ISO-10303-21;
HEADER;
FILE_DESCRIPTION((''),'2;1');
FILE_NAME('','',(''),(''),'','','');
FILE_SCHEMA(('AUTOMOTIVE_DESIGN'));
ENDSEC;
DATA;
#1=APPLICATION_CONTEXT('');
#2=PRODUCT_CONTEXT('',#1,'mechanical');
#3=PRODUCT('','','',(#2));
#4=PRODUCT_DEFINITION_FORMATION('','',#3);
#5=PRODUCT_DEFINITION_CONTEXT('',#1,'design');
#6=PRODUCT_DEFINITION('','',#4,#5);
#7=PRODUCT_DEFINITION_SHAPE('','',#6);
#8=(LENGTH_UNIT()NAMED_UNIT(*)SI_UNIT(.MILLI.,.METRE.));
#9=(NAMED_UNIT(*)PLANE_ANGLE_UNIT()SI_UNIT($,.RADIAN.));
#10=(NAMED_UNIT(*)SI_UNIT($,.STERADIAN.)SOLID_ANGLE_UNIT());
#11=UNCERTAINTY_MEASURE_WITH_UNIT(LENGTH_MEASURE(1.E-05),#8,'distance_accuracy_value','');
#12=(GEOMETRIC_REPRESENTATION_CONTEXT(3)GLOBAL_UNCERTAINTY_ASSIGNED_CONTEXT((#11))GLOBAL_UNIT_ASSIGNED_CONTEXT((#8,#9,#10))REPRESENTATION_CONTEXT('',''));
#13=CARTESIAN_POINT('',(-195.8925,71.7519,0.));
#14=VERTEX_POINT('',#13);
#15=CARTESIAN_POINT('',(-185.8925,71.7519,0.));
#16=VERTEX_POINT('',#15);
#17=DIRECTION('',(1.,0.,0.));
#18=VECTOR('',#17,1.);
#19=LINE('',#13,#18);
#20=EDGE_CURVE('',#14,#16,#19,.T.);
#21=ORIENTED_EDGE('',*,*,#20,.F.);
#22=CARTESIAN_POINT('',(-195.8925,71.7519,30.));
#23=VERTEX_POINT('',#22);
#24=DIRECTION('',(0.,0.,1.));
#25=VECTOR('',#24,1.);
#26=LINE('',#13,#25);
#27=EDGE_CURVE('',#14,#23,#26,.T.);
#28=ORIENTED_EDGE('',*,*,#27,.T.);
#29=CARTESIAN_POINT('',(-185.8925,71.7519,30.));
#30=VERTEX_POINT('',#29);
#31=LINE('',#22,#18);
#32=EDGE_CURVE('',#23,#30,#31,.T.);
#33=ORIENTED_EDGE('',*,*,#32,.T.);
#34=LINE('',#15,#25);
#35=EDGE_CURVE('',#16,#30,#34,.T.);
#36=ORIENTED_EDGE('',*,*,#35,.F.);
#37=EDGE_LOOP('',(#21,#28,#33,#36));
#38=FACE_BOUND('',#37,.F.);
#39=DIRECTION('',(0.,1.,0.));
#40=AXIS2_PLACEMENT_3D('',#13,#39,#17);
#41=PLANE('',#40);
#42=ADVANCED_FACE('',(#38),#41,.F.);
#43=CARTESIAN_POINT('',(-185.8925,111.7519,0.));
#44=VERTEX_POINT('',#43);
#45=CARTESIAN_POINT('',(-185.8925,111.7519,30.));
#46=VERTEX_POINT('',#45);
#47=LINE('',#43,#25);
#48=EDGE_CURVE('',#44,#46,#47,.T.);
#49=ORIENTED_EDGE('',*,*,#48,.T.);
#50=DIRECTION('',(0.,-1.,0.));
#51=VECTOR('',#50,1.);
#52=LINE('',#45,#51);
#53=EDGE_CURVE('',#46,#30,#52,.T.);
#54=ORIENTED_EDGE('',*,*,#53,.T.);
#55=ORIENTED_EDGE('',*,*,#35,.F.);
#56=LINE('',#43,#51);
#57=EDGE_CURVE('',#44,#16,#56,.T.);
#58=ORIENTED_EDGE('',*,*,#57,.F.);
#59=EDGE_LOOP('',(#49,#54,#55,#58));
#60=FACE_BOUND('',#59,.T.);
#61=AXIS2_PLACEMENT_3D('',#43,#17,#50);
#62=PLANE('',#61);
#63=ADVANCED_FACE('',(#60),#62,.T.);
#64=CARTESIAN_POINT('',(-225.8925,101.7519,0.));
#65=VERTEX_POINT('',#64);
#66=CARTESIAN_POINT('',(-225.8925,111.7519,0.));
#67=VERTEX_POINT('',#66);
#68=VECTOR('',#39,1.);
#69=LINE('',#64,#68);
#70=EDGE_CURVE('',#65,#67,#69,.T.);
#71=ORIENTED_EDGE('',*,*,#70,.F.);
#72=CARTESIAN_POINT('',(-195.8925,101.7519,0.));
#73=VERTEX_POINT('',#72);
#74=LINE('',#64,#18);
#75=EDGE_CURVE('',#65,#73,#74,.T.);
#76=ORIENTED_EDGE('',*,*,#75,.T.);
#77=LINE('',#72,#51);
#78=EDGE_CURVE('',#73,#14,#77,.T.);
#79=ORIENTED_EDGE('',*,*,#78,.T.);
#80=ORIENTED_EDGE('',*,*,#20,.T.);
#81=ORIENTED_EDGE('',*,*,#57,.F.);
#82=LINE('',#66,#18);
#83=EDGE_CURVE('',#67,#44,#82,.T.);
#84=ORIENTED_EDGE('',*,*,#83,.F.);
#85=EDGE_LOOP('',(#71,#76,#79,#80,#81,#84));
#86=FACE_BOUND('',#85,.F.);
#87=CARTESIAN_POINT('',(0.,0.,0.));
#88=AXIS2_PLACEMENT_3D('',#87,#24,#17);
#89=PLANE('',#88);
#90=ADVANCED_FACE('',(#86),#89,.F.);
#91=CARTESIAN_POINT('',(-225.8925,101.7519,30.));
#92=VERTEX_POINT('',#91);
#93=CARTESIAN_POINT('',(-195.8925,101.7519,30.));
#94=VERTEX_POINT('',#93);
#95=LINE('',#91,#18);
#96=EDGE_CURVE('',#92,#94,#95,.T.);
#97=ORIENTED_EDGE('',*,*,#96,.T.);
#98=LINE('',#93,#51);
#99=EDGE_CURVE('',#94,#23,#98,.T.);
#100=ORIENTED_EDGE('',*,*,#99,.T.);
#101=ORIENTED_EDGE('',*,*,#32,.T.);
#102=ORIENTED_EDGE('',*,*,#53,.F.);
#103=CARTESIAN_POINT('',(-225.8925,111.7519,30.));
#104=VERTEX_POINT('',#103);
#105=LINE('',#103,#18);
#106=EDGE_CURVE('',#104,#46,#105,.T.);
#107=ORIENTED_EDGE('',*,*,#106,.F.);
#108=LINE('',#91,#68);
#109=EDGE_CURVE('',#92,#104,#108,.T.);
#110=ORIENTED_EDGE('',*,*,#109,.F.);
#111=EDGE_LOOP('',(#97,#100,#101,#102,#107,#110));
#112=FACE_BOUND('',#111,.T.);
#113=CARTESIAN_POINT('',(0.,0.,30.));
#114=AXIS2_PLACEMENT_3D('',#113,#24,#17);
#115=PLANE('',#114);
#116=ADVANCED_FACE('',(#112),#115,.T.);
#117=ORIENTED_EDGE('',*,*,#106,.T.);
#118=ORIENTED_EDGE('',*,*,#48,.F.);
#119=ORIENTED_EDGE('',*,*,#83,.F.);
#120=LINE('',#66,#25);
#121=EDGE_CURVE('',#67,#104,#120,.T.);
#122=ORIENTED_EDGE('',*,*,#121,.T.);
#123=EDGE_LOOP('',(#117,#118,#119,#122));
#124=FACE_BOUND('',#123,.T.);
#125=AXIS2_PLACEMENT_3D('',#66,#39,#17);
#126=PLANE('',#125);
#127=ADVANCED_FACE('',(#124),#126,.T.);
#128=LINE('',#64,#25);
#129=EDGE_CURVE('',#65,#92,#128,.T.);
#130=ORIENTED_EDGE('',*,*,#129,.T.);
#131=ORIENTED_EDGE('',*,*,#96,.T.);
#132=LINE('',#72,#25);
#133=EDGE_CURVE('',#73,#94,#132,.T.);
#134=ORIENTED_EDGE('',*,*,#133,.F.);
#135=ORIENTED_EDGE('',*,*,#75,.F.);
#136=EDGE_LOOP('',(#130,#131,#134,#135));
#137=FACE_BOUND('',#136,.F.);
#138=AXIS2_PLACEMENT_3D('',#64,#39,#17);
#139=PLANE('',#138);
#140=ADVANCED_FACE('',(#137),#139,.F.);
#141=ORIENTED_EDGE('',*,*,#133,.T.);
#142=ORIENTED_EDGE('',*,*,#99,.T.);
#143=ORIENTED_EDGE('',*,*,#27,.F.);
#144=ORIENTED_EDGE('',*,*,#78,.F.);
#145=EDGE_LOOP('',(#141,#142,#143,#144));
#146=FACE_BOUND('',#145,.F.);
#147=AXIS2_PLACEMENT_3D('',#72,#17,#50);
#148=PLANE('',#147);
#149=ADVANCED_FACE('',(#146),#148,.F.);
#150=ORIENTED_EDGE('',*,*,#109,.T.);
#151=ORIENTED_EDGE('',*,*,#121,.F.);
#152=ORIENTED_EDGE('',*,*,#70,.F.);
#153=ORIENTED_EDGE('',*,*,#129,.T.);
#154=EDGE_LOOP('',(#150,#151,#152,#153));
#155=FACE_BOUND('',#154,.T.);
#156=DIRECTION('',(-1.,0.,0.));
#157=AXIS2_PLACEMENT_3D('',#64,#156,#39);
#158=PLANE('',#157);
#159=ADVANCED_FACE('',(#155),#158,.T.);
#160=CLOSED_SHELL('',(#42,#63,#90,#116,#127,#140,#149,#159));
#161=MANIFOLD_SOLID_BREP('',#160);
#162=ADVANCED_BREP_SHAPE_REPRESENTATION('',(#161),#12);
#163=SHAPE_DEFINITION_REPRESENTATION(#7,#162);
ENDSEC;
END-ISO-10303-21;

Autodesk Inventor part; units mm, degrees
ref_plane "YZ Plane" through (0, 0, 0) normal (1, 0, 0) x (0, 1, 0)
ref_plane "XZ Plane" through (0, 0, 0) normal (0, 1, 0) x (-1, 0, 0)
ref_plane "XY Plane" through (0, 0, 0) normal (0, 0, 1) x (1, 0, 0)
sketch "Boceto1" plane through (0, 0, 0) normal (0, 0, 1) x (1, 0, 0)
  line L0 (-225.8925, 111.7519) -> (-185.8925, 111.7519)
  line L1 (-185.8925, 111.7519) -> (-185.8925, 71.7519)
  line L2 (-225.8925, 101.7519) -> (-195.8925, 101.7519)
  line L3 (-195.8925, 101.7519) -> (-195.8925, 71.7519)
  line L4 (-225.8925, 101.7519) -> (-225.8925, 111.7519)
  line L5 (-195.8925, 71.7519) -> (-185.8925, 71.7519)
  point P0 (0, 0)
  point P1 (0, 4.2735)
  dimension "d1" = 10
  dimension "d3" = 10
  dimension "d4" = 30
  dimension "d7" = 40
extrude "Extrusión1" add sketch "Boceto1" along normal blind 30
properties part number "Tope_Extremos" material "Plástico ABS"
